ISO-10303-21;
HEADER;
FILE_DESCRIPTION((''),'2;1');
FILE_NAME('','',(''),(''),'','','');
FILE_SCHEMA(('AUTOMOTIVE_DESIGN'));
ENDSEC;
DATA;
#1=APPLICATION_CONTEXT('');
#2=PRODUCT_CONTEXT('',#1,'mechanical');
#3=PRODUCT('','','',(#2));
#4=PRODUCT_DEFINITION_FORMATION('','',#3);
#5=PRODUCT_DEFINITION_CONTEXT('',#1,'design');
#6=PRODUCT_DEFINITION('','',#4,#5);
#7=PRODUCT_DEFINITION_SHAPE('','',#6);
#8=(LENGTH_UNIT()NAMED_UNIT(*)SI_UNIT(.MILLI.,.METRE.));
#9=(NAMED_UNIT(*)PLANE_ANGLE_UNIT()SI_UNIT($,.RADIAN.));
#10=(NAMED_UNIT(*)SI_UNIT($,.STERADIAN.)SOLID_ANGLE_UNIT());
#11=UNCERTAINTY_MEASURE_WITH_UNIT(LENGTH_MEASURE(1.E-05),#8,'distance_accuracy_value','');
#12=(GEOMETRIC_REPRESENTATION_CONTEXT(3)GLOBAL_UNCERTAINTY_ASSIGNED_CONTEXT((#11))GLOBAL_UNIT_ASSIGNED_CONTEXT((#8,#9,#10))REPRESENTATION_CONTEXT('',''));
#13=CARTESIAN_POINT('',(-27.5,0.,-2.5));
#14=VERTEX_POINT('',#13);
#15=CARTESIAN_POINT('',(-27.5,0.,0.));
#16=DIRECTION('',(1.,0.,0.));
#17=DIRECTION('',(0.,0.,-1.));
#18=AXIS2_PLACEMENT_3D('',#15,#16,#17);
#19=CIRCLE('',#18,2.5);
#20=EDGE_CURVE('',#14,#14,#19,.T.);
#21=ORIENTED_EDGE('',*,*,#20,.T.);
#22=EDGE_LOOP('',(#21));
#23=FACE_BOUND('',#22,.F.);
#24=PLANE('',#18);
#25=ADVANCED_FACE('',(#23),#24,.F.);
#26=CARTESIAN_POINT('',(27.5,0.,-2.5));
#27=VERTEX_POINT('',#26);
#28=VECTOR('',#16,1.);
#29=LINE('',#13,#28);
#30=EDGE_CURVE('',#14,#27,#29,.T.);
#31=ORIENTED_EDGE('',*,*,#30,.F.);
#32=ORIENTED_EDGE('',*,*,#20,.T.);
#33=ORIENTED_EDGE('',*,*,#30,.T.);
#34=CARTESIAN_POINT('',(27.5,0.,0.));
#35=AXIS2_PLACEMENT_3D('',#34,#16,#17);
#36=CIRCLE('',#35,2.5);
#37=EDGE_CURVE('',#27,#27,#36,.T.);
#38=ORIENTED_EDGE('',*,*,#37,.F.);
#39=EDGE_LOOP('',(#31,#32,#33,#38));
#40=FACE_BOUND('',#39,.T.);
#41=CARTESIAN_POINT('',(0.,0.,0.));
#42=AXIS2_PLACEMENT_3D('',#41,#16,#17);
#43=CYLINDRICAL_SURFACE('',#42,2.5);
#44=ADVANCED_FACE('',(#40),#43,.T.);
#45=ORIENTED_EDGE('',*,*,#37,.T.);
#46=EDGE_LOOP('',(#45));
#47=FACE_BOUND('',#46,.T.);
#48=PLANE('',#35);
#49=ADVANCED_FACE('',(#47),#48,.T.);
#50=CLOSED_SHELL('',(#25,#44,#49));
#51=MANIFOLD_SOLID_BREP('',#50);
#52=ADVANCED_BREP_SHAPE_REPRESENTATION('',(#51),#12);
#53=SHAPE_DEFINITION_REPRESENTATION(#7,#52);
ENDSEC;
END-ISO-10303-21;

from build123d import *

# Parameters (mm, degrees)
SZKIC1_R                    = 2.5
DODANIE_WYCI_GNI_CIE1_DEPTH = 27.5


with BuildPart() as part:
    # Szkic1 → Dodanie-wyciągnięcie1 (new body, symmetric)
    with BuildSketch(Plane(origin=(0, 0, 0), x_dir=(0, 0, -1), z_dir=(1, 0, 0))):
        Circle(SZKIC1_R)
    extrude(amount=DODANIE_WYCI_GNI_CIE1_DEPTH, both=True)


solid = part.part
